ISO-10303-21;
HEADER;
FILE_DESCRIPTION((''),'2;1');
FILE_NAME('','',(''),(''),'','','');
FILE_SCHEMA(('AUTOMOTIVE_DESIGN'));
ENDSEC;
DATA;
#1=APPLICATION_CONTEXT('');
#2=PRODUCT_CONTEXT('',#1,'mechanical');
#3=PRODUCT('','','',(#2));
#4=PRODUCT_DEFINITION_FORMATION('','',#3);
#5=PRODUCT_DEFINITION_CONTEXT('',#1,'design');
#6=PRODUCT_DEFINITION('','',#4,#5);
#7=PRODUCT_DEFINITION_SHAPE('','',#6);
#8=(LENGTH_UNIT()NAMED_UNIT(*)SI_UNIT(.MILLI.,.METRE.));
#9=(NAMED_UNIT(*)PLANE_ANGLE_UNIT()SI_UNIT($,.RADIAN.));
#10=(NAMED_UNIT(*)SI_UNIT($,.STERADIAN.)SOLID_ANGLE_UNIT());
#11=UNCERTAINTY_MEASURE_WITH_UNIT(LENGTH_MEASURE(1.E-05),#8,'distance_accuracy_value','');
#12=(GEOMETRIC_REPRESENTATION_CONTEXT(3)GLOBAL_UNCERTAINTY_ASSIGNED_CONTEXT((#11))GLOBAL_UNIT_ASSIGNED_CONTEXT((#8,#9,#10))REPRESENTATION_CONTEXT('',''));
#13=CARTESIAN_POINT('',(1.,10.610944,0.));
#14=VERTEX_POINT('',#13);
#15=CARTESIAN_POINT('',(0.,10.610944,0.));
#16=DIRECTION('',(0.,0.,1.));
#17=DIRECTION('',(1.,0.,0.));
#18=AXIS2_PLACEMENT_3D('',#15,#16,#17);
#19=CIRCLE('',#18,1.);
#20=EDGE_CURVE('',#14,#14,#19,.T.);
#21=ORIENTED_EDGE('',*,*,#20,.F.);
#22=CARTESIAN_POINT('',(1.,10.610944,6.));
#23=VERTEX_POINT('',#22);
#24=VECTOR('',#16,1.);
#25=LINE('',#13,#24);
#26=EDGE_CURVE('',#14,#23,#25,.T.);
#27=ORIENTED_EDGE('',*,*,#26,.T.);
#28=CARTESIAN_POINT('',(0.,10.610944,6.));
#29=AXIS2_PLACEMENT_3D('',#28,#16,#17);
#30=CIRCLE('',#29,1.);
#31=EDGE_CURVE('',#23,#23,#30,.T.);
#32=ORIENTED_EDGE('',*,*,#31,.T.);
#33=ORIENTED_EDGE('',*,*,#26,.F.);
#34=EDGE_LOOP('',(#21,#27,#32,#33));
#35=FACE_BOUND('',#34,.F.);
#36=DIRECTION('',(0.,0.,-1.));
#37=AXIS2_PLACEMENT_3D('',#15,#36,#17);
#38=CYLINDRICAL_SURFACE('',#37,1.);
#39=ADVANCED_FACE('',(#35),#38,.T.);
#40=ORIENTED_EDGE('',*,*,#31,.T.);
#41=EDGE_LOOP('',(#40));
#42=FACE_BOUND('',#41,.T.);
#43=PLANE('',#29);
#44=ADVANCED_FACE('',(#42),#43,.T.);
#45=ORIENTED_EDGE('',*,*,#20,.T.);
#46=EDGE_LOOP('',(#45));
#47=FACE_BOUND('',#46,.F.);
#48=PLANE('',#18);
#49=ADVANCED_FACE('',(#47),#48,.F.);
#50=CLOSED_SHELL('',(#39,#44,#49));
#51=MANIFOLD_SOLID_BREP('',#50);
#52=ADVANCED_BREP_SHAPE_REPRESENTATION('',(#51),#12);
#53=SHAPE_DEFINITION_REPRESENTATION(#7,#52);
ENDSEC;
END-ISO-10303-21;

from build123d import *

# Parameters (mm, degrees)
SKETCH1_R           = 1
BOSS_EXTRUDE1_DEPTH = 6


with BuildPart() as part:
    # Sketch1 → Boss-Extrude1 (new body)
    with BuildSketch(Plane.XY):
        with Locations((0, 10.610944307)):
            Circle(SKETCH1_R)
    extrude(amount=BOSS_EXTRUDE1_DEPTH)


solid = part.part
